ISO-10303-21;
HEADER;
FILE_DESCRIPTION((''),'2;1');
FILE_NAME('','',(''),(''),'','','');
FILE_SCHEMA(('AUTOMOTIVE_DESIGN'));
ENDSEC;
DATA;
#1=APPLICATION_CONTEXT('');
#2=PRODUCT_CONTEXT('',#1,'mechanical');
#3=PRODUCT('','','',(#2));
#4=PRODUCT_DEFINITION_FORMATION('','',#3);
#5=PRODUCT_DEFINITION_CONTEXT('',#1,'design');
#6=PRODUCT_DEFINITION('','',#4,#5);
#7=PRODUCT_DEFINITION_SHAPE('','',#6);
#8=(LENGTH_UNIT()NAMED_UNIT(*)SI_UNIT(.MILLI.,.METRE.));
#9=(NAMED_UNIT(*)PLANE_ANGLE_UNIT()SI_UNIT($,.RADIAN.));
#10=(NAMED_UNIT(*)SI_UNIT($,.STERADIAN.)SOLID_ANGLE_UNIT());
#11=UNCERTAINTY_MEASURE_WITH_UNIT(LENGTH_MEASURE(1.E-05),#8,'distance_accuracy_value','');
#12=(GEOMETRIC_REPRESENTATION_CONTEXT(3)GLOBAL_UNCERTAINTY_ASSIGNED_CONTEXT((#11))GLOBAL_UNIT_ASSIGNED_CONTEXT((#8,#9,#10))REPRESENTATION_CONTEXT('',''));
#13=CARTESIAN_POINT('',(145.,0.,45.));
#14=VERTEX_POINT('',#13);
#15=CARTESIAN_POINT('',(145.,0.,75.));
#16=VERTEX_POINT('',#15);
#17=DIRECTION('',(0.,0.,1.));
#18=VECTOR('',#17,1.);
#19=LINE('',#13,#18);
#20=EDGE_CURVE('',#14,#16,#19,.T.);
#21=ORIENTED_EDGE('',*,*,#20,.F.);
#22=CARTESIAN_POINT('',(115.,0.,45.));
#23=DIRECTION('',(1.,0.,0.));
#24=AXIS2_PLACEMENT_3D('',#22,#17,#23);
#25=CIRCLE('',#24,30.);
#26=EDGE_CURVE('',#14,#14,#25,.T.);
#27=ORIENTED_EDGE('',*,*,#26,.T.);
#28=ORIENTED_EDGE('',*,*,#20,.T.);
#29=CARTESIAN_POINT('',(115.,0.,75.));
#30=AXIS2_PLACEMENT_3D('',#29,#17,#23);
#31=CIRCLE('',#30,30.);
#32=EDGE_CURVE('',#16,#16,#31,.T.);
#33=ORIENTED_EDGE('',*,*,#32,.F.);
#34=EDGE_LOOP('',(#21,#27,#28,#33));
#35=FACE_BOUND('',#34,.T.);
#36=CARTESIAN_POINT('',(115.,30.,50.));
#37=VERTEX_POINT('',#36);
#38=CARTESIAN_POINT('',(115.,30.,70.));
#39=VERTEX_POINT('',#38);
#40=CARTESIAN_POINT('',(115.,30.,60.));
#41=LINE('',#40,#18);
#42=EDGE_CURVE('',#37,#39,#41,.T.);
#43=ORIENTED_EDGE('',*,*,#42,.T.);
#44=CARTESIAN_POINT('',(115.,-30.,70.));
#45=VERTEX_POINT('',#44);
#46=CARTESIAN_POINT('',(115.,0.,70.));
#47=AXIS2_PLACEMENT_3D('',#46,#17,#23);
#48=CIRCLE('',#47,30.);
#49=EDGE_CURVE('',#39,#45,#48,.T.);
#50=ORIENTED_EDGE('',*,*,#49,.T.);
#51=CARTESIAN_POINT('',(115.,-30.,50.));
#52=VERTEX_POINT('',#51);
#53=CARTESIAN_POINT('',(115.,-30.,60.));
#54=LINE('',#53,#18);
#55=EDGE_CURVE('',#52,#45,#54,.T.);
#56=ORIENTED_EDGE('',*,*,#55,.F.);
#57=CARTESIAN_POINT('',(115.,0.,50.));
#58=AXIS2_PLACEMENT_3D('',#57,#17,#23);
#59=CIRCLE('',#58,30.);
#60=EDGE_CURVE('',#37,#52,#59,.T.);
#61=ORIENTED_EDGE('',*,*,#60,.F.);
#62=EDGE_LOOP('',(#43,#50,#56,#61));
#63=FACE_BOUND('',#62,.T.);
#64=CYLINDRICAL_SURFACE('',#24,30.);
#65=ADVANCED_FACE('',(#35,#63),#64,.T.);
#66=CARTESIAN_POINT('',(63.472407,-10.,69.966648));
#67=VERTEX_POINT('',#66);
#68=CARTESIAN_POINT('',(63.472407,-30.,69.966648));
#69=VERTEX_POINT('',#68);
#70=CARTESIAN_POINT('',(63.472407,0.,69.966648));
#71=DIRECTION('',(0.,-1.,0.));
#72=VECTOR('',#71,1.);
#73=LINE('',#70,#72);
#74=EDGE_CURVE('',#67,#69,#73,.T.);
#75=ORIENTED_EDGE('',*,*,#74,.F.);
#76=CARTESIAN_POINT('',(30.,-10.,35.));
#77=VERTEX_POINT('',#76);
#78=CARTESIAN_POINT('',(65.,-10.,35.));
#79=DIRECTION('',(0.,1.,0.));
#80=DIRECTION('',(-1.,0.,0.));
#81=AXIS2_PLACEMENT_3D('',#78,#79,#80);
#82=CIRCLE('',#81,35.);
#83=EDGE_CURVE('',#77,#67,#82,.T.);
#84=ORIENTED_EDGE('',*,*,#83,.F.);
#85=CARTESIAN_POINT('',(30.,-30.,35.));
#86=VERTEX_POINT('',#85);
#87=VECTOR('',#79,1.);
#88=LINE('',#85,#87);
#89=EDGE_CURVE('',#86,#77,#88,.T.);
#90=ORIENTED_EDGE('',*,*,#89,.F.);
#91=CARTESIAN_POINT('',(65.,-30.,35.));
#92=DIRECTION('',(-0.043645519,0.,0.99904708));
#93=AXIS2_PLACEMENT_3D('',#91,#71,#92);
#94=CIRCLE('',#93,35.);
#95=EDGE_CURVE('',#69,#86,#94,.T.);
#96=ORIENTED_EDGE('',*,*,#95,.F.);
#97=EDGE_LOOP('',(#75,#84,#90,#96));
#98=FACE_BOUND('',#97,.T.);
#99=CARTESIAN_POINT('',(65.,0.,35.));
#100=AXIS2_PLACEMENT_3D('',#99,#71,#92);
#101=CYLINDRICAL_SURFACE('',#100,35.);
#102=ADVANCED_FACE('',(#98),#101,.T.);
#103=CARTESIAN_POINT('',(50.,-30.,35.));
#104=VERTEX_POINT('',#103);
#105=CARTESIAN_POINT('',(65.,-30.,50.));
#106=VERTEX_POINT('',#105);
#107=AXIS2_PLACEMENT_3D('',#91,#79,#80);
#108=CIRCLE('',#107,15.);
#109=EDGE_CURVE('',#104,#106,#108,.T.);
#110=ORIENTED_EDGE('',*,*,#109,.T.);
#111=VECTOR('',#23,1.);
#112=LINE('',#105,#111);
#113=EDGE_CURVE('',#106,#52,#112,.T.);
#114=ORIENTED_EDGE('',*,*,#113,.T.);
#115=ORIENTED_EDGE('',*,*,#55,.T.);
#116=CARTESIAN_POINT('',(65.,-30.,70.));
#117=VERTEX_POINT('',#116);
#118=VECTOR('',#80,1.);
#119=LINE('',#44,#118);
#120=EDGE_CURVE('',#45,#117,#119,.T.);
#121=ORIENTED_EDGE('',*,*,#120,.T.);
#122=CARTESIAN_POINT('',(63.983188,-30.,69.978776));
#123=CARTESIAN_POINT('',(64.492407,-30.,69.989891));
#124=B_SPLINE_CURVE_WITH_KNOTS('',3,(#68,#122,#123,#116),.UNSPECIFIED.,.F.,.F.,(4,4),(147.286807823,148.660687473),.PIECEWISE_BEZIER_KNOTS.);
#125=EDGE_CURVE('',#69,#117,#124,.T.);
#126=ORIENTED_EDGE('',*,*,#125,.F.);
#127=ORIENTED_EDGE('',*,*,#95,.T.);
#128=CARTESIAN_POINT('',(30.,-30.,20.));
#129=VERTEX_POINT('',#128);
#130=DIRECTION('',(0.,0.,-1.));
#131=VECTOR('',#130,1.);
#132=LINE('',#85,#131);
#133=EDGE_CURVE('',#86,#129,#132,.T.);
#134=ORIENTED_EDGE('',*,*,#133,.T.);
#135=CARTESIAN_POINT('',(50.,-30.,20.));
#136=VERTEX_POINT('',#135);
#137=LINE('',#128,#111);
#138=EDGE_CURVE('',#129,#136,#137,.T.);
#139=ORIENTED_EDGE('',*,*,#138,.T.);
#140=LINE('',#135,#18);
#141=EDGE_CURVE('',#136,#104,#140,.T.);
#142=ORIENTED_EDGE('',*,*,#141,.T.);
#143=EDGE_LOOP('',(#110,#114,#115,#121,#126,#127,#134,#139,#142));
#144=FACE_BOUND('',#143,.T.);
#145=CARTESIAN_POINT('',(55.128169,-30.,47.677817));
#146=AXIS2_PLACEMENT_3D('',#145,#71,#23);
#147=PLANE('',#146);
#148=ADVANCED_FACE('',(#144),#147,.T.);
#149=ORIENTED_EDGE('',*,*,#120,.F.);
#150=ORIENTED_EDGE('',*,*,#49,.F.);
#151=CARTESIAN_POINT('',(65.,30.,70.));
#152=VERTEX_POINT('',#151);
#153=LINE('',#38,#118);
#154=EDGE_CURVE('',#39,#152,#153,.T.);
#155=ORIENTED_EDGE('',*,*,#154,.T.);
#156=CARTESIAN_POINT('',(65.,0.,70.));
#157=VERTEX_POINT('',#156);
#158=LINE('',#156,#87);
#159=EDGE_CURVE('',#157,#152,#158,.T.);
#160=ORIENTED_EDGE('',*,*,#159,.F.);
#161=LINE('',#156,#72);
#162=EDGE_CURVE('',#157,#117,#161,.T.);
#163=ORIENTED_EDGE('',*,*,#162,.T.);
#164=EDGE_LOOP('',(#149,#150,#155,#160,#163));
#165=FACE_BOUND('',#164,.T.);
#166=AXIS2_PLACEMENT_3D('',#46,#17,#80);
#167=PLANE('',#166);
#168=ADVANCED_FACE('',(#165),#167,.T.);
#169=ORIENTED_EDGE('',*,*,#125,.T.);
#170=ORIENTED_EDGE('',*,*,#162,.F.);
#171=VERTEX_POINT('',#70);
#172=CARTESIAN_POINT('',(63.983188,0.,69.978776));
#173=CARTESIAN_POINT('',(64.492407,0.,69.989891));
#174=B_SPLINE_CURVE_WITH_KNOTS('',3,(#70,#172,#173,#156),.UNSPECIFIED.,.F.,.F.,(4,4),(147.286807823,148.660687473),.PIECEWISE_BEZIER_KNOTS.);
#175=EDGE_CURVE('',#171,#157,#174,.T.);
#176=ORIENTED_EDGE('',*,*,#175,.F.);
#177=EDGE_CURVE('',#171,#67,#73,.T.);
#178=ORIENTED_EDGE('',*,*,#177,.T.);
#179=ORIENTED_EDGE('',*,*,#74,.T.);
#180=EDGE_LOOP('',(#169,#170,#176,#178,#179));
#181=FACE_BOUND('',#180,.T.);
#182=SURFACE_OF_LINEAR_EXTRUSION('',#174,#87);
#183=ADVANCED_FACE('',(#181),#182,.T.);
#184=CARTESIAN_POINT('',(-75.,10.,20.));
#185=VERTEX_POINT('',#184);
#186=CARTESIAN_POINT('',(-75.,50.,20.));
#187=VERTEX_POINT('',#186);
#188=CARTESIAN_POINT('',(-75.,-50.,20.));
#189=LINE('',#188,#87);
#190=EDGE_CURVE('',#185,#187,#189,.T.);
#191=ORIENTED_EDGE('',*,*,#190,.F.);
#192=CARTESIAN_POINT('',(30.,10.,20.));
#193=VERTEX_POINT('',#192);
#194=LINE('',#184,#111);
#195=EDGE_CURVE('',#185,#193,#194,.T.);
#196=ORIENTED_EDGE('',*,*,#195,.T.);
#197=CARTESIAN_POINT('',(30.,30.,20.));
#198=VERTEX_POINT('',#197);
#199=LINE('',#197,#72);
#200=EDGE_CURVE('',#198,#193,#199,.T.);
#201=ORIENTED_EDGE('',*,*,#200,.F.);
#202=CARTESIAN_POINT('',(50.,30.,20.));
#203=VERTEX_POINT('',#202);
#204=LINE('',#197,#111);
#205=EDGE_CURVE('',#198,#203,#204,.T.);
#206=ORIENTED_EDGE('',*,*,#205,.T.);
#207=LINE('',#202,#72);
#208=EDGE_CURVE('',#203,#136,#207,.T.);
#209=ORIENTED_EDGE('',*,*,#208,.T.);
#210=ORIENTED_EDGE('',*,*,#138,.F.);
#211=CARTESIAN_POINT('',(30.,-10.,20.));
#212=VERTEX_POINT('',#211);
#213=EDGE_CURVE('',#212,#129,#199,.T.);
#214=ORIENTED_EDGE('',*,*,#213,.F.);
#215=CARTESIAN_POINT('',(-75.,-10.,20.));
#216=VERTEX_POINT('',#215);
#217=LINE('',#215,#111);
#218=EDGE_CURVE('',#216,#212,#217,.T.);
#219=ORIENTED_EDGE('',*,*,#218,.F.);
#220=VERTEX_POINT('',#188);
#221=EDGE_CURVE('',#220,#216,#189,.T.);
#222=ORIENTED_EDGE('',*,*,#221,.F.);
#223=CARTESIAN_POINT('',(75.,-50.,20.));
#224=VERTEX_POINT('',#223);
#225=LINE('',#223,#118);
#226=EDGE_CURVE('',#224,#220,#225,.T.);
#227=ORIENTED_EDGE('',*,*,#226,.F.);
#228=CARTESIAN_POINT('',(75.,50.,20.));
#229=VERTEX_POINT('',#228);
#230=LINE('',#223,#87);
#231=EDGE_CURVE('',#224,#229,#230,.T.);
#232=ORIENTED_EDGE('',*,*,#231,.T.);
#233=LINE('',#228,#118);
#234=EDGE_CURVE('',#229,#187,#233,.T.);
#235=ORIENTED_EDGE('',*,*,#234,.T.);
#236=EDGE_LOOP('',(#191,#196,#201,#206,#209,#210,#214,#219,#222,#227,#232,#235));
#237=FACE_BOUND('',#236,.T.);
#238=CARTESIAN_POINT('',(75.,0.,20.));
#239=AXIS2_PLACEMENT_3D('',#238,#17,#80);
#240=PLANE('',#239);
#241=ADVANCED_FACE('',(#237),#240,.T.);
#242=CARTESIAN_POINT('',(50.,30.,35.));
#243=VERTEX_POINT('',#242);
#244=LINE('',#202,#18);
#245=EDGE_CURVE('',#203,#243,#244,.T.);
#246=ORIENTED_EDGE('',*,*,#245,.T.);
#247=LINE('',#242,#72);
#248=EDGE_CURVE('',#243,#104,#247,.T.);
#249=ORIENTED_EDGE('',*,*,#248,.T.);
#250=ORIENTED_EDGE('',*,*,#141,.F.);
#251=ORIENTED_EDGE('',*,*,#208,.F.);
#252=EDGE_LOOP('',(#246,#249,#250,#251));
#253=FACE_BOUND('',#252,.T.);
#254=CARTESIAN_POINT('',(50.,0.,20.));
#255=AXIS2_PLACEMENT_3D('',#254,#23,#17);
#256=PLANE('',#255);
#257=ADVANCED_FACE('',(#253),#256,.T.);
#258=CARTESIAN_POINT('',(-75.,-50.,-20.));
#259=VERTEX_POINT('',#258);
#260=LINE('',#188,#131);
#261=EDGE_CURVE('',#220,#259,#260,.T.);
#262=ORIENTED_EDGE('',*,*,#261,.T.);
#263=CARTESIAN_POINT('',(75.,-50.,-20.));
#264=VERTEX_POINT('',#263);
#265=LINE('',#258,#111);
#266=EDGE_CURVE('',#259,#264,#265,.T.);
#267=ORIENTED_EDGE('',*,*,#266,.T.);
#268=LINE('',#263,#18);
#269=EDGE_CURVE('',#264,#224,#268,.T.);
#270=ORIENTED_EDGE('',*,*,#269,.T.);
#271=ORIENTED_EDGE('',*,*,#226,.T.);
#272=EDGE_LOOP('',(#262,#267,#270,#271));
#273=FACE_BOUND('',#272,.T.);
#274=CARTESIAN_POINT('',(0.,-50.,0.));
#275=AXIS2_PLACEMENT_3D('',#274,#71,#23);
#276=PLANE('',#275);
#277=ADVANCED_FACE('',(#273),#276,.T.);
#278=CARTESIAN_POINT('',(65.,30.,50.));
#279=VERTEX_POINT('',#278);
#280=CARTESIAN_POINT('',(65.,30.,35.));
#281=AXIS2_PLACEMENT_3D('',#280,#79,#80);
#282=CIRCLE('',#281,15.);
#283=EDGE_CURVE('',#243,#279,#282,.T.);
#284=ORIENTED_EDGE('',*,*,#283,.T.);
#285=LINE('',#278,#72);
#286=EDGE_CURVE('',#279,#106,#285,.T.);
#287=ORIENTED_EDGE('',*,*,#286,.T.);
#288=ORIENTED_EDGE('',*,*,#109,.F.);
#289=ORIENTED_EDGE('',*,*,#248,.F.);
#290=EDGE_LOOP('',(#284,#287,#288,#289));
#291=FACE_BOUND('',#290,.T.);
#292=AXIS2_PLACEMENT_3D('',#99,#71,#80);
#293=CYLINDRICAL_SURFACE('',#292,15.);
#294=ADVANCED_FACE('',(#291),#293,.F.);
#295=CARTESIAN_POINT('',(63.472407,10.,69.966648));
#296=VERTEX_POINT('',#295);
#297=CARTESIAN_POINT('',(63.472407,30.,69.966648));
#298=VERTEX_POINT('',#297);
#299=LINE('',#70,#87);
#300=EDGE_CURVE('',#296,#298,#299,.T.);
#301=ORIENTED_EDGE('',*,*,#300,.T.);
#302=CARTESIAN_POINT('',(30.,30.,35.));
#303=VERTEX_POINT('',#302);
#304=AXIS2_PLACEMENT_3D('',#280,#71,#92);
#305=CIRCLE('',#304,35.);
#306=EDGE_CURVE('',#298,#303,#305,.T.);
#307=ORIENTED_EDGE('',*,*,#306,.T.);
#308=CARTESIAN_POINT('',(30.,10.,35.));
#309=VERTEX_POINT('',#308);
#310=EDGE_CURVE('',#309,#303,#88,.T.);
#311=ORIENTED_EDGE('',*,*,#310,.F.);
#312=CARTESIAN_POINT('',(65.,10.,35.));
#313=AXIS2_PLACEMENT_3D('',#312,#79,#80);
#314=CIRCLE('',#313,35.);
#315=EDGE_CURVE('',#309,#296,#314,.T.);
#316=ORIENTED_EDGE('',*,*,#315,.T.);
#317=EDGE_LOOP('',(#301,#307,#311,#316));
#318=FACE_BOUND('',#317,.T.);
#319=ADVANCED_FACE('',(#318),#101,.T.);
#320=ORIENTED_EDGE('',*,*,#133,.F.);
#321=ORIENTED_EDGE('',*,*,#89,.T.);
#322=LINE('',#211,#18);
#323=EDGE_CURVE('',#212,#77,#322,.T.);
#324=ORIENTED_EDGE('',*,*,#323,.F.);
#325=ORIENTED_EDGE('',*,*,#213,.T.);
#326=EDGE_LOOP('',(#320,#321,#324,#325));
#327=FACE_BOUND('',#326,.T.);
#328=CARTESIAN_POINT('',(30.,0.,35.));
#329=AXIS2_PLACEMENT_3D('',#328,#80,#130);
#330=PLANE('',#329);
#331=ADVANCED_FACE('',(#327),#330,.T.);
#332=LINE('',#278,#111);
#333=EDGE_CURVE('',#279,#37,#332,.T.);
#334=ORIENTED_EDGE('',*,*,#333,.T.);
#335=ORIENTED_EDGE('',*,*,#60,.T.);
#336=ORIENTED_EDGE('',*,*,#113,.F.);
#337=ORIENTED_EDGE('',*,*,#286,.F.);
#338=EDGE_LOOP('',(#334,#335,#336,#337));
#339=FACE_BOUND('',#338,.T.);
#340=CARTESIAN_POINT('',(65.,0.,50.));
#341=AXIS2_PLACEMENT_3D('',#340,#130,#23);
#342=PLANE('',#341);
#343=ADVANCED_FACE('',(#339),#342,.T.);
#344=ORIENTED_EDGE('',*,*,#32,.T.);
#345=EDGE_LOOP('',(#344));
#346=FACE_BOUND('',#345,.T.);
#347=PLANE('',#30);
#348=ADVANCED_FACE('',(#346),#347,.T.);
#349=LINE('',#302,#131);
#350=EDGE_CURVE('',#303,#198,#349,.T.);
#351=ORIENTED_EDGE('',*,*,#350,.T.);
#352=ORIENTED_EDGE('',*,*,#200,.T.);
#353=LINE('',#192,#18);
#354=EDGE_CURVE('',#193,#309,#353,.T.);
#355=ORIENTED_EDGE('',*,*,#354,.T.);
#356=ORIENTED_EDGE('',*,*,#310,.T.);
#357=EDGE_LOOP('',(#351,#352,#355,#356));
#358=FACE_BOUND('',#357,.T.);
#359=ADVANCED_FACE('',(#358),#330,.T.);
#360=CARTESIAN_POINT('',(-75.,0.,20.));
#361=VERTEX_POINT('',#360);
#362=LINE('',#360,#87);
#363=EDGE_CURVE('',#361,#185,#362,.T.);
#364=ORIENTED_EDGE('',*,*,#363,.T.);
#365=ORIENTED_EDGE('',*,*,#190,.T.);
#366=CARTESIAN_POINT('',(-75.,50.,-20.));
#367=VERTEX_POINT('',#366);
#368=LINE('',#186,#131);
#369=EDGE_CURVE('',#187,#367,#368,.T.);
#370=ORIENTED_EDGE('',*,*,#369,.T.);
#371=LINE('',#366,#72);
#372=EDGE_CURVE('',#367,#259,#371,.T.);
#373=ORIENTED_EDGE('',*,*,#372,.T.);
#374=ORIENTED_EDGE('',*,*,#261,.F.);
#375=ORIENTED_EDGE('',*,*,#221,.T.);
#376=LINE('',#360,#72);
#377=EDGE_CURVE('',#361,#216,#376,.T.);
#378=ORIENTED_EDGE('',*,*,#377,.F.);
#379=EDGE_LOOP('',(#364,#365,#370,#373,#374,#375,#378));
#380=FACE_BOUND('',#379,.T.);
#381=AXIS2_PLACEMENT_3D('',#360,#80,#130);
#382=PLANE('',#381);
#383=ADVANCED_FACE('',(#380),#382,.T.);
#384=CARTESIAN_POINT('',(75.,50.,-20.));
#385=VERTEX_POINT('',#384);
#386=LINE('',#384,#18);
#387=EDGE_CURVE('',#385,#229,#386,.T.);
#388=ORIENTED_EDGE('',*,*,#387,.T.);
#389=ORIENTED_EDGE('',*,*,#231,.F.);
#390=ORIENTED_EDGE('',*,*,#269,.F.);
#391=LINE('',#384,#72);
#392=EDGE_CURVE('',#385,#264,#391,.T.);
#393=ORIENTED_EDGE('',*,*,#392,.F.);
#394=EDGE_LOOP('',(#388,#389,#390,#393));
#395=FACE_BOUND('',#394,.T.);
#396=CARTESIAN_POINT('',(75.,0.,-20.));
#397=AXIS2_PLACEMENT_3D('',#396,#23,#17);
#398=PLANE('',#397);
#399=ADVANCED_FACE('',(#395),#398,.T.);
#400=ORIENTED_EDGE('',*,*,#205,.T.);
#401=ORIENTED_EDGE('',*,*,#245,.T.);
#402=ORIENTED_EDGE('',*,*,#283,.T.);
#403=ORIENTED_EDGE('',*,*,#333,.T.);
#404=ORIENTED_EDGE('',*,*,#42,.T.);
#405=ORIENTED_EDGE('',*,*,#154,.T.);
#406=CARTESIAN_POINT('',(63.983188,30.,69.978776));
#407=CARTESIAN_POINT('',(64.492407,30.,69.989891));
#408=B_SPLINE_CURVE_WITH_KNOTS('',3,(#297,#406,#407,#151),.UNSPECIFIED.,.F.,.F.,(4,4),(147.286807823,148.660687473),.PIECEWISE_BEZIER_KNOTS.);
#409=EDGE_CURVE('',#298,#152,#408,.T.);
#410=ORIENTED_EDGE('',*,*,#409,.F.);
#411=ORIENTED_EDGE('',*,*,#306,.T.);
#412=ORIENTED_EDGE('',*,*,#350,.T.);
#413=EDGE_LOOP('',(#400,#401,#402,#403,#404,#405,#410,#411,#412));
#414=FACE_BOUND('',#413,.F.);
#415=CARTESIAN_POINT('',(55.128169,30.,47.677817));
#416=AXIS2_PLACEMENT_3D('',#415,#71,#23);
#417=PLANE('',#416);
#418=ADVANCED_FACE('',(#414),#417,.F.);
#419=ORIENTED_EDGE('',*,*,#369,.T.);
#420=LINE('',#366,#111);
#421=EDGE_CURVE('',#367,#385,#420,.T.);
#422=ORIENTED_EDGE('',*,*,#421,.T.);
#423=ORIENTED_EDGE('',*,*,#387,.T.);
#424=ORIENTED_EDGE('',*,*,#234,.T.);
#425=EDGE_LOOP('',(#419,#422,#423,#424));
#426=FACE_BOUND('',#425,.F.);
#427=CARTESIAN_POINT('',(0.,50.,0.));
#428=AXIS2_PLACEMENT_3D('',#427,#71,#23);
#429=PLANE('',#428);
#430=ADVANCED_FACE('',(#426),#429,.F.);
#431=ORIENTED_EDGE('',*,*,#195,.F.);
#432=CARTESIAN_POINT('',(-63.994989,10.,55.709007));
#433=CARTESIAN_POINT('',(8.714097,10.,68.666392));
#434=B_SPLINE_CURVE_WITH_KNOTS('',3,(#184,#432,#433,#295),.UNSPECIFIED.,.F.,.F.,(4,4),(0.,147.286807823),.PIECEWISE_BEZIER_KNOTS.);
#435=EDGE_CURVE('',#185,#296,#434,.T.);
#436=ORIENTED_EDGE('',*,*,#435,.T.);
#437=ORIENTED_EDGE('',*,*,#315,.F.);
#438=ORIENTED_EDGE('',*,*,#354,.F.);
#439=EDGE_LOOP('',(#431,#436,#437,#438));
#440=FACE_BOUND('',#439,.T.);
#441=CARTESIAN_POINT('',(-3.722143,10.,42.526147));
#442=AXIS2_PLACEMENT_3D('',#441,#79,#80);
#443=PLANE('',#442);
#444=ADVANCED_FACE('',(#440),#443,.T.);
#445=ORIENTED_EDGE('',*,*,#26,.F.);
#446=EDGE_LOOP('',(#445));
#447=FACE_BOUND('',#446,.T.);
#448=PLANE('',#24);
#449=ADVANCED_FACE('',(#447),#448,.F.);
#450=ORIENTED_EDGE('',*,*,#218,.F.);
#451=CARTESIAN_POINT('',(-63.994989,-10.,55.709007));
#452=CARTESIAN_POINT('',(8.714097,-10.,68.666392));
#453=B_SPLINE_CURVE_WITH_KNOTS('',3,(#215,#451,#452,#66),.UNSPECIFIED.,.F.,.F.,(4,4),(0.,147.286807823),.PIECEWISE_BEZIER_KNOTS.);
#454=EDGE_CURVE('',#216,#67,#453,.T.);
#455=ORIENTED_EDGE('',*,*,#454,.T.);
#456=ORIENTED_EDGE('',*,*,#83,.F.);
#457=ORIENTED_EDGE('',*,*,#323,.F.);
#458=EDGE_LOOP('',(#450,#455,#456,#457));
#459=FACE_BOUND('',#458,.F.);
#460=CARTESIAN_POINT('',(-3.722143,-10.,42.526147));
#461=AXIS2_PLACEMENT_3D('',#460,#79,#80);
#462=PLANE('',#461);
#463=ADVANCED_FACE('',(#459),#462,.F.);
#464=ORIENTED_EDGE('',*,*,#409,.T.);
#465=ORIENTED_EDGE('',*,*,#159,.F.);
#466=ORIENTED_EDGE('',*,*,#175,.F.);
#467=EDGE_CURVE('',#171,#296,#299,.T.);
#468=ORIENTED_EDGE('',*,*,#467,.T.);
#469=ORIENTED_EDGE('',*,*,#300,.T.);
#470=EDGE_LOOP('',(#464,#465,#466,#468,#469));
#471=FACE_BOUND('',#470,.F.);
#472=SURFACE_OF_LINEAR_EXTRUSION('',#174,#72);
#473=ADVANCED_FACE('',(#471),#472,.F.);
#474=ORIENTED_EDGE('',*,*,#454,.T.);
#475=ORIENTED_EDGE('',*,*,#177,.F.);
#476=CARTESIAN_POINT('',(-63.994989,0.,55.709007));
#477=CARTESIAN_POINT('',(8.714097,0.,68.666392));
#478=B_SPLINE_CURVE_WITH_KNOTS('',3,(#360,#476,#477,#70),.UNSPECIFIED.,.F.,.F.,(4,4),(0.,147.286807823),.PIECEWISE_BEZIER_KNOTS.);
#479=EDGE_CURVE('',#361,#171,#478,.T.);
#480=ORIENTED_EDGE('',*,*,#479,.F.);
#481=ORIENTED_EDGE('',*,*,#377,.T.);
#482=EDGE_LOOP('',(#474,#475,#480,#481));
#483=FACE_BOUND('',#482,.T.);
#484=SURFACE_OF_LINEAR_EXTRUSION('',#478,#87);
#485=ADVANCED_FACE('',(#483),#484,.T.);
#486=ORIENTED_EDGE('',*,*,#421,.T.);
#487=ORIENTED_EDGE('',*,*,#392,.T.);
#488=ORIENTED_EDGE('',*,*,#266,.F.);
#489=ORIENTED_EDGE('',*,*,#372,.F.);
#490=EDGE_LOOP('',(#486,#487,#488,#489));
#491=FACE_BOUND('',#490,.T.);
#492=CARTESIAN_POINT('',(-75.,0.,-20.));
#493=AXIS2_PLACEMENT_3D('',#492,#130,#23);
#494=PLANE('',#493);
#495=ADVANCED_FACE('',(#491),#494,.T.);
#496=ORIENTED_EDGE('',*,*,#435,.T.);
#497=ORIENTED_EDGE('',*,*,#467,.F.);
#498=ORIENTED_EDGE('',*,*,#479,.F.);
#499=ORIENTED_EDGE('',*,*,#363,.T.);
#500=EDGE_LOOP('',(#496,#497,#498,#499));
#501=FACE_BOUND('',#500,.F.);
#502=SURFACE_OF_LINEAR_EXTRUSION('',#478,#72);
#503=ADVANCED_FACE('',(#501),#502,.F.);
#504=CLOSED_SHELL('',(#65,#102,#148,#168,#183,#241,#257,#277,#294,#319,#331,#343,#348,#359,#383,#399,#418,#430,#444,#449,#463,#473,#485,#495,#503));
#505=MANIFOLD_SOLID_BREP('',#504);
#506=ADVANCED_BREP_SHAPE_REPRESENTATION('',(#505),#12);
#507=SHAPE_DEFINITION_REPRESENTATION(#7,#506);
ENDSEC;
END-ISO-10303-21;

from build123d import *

# Parameters (mm, degrees)
F1_DEPTH = 50
F0_W     = 30
F0_H     = 20
F2_DEPTH = 30
F4_DEPTH = 10


with BuildPart() as f1:
    # F0 (on Front) → F1 (new body, symmetric)
    with BuildSketch(Plane.XZ):
        Polygon((30, 20), (-75, 20), (-75, -20), (75, -20), (75, 20), (50, 20), align=None)
    extrude(amount=F1_DEPTH, both=True)

    # F0 (on Front) → F2 (join, symmetric)
    with BuildSketch(Plane.XZ):
        with BuildLine():
            Line((30, 35), (30, 20))
            Line((30, 20), (50, 20))
            Line((50, 20), (50, 35))
            ThreePointArc((50, 35), (54.3933982822, 45.6066017178), (65, 50))
            Line((65, 50), (85, 50))
            Line((85, 50), (85, 70))
            Line((85, 70), (65, 70))
            add(Edge.make_bspline(
                [(63.4724068362, 69.9666478108), (63.9831880061, 69.9787764937), (64.4924072773, 69.9898908886), (65, 70)],
                knots=[147.2868078235, 147.2868078235, 147.2868078235, 147.2868078235, 148.6606874732, 148.6606874732, 148.6606874732, 148.6606874732], degree=3))
            ThreePointArc((63.4724068362, 69.9666478108), (39.7169447976, 59.2026262962), (30, 35))
        make_face()
        with Locations((100, 60)):
            Rectangle(F0_W, F0_H)
    extrude(amount=F2_DEPTH, both=True)

    # F0 (on Front) → F3 (revolve)
    with BuildSketch(Plane.XZ):
        Polygon((115, 75), (115, 70), (115, 50), (115, 45), (145, 45), (145, 75), align=None)
    revolve(axis=Axis((115, 0, 60), (0, 0, 1)))

    # F0 (on Front) → F4 (join, symmetric)
    with BuildSketch(Plane.XZ):
        with BuildLine():
            add(Edge.make_bspline(
                [(-75, 20), (-63.9949885725, 55.7090067292), (8.7140966472, 68.6663920064), (63.4724068362, 69.9666478108)],
                knots=[0, 0, 0, 0, 147.2868078235, 147.2868078235, 147.2868078235, 147.2868078235], degree=3))
            Line((-75, 20), (30, 20))
            Line((30, 20), (30, 35))
            ThreePointArc((30, 35), (39.7169447976, 59.2026262962), (63.4724068362, 69.9666478108))
        make_face()
    extrude(amount=F4_DEPTH, both=True)


solid = f1.part
